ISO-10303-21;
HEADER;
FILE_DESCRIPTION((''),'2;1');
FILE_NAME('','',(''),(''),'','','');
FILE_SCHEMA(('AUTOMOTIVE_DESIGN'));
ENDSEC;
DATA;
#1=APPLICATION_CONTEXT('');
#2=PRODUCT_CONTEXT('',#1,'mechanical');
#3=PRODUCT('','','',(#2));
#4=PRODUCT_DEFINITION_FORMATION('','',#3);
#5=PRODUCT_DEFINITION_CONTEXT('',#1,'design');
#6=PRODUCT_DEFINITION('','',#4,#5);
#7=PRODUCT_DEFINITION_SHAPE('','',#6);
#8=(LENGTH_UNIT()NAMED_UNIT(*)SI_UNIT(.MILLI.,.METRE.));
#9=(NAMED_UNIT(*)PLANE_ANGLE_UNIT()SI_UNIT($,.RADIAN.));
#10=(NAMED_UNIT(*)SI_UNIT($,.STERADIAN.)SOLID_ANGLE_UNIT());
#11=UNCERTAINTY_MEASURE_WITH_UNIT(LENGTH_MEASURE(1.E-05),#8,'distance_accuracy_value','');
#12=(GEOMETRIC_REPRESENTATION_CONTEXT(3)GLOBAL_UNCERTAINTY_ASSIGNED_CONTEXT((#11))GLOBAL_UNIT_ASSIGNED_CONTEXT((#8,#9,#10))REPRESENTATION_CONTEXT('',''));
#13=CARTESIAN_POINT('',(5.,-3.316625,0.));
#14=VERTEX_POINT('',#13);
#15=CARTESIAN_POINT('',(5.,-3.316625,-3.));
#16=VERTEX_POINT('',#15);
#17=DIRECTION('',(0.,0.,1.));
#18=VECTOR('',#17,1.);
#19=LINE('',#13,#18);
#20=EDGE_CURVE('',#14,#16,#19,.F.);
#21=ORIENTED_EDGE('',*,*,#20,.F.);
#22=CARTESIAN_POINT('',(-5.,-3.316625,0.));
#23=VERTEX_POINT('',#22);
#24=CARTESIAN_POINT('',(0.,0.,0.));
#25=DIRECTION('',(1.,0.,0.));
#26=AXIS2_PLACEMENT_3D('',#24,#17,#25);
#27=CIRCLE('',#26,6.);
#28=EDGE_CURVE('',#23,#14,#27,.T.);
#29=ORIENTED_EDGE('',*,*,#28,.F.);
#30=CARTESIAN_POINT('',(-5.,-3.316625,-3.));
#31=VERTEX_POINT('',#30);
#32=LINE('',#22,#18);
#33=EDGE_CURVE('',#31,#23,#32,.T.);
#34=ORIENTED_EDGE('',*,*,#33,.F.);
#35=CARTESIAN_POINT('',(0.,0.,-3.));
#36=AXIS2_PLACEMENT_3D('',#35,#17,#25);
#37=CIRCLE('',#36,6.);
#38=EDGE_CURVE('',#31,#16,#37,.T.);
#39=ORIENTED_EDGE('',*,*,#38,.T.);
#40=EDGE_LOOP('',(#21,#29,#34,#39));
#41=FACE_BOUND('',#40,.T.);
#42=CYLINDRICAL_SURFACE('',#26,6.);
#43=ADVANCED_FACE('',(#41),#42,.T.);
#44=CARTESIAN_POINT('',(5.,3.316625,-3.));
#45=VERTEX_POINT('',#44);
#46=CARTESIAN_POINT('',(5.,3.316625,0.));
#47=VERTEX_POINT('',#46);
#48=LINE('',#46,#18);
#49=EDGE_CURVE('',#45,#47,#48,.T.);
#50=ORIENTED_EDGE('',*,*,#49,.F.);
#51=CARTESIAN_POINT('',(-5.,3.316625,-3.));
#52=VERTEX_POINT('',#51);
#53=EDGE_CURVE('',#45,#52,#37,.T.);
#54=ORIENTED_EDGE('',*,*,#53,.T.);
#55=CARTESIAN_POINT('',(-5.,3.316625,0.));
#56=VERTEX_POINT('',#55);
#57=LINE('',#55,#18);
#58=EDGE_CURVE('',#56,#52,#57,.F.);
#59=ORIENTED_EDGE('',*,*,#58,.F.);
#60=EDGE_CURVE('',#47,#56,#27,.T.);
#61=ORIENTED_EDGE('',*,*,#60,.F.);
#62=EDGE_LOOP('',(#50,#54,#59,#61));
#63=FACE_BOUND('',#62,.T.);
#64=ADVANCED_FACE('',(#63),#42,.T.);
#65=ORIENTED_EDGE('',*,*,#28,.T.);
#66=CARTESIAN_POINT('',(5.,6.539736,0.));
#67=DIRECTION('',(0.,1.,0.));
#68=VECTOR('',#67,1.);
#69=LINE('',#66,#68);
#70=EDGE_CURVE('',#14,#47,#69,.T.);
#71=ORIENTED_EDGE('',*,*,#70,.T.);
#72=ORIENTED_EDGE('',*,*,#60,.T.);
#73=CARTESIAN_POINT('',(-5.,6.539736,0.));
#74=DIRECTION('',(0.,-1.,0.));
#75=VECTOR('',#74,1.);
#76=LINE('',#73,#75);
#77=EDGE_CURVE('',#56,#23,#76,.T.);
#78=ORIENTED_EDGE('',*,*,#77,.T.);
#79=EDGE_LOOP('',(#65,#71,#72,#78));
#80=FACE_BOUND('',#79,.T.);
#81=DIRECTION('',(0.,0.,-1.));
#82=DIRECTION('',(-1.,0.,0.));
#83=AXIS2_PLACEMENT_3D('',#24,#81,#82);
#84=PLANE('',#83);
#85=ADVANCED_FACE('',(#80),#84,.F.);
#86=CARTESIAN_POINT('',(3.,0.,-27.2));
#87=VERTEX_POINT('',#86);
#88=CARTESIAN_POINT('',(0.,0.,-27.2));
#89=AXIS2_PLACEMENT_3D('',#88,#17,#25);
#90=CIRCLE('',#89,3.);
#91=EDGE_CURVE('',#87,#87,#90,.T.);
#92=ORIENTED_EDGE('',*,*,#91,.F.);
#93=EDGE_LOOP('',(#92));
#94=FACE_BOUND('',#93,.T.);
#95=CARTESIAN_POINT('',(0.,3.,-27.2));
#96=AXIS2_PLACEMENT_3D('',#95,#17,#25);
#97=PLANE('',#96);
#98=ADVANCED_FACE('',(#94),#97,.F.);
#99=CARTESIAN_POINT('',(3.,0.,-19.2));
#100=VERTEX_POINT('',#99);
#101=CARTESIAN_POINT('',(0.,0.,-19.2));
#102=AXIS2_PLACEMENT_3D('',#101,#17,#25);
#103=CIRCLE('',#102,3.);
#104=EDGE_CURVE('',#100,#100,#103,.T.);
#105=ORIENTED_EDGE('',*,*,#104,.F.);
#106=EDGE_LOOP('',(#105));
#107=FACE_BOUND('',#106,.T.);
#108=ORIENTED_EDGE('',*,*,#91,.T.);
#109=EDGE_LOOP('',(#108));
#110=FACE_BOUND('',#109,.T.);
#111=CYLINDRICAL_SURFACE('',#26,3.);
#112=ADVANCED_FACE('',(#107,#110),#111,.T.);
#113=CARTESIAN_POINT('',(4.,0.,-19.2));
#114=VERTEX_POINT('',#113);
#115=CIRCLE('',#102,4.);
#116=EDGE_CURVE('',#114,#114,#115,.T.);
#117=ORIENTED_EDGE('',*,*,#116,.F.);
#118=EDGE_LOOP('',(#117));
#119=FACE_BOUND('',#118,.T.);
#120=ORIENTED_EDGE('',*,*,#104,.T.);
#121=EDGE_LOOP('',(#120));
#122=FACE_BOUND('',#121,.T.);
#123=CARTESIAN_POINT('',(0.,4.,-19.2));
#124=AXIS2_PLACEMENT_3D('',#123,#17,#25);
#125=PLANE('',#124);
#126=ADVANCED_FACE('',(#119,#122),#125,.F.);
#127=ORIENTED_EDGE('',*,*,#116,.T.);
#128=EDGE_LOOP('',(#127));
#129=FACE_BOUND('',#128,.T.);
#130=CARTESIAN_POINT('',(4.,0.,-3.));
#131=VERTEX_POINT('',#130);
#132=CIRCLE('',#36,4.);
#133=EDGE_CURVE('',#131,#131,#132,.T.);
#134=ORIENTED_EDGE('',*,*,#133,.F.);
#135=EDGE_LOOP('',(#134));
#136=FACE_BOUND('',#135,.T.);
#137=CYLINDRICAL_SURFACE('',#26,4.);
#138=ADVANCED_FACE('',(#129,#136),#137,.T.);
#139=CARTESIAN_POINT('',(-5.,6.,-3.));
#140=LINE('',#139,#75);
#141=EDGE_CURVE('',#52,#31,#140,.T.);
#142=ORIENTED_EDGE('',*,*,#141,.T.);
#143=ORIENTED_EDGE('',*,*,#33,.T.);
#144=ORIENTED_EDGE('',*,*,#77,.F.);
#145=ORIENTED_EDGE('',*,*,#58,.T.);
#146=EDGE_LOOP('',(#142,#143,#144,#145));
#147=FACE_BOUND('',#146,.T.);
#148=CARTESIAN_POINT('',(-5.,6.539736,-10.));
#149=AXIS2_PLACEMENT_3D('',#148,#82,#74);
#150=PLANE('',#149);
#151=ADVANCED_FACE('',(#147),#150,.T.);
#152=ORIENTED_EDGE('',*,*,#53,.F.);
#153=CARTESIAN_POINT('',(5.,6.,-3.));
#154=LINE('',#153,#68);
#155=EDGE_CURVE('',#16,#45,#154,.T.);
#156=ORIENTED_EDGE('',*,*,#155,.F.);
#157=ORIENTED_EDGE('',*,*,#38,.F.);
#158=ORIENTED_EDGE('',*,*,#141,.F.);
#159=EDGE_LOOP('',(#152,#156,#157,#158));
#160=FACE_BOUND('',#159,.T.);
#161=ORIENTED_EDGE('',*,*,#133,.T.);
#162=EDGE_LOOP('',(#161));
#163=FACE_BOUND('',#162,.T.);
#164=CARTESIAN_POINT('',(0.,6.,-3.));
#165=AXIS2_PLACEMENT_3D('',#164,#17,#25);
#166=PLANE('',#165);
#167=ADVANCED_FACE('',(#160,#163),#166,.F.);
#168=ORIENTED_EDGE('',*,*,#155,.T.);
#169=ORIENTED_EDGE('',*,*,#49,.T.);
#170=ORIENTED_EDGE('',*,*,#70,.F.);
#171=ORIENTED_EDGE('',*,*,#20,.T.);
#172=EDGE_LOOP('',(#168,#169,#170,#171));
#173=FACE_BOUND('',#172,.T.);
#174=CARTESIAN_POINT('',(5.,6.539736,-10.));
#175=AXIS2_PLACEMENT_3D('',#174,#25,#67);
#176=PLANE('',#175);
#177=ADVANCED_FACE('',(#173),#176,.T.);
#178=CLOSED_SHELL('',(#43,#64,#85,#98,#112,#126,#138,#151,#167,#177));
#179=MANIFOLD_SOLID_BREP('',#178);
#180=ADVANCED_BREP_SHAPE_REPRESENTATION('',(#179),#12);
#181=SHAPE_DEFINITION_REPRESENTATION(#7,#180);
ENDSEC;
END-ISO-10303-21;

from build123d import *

# Parameters (mm, degrees)
SKETCH_3_OUTSIDE_W   = 20.412
SKETCH_3_OUTSIDE_H   = 20.412
SKETCH_3_OUTSIDE_W_2 = 10
SKETCH_3_OUTSIDE_H_2 = 13.079471602
CUT_EXTRUDE_1_DEPTH  = 10


with BuildPart() as part:
    # 草图2 → 旋转1 (revolve)
    with BuildSketch(Plane(origin=(0, 0, 0), x_dir=(0, 0, -1), z_dir=(1, 0, 0))):
        Polygon((0, 0), (0, 6), (3, 6), (3, 4), (19.2, 4), (19.2, 3), (27.2, 3), (27.2, 0), align=None)
    revolve(axis=Axis((0, 0, 0), (0, 0, -1)))

    # 草图3 outside → 切除-拉伸1 (cut)
    with BuildSketch(Plane.XY):
        Rectangle(SKETCH_3_OUTSIDE_W, SKETCH_3_OUTSIDE_H)
        Rectangle(SKETCH_3_OUTSIDE_W_2, SKETCH_3_OUTSIDE_H_2, mode=Mode.SUBTRACT)
    extrude(amount=-CUT_EXTRUDE_1_DEPTH, mode=Mode.SUBTRACT)


solid = part.part
